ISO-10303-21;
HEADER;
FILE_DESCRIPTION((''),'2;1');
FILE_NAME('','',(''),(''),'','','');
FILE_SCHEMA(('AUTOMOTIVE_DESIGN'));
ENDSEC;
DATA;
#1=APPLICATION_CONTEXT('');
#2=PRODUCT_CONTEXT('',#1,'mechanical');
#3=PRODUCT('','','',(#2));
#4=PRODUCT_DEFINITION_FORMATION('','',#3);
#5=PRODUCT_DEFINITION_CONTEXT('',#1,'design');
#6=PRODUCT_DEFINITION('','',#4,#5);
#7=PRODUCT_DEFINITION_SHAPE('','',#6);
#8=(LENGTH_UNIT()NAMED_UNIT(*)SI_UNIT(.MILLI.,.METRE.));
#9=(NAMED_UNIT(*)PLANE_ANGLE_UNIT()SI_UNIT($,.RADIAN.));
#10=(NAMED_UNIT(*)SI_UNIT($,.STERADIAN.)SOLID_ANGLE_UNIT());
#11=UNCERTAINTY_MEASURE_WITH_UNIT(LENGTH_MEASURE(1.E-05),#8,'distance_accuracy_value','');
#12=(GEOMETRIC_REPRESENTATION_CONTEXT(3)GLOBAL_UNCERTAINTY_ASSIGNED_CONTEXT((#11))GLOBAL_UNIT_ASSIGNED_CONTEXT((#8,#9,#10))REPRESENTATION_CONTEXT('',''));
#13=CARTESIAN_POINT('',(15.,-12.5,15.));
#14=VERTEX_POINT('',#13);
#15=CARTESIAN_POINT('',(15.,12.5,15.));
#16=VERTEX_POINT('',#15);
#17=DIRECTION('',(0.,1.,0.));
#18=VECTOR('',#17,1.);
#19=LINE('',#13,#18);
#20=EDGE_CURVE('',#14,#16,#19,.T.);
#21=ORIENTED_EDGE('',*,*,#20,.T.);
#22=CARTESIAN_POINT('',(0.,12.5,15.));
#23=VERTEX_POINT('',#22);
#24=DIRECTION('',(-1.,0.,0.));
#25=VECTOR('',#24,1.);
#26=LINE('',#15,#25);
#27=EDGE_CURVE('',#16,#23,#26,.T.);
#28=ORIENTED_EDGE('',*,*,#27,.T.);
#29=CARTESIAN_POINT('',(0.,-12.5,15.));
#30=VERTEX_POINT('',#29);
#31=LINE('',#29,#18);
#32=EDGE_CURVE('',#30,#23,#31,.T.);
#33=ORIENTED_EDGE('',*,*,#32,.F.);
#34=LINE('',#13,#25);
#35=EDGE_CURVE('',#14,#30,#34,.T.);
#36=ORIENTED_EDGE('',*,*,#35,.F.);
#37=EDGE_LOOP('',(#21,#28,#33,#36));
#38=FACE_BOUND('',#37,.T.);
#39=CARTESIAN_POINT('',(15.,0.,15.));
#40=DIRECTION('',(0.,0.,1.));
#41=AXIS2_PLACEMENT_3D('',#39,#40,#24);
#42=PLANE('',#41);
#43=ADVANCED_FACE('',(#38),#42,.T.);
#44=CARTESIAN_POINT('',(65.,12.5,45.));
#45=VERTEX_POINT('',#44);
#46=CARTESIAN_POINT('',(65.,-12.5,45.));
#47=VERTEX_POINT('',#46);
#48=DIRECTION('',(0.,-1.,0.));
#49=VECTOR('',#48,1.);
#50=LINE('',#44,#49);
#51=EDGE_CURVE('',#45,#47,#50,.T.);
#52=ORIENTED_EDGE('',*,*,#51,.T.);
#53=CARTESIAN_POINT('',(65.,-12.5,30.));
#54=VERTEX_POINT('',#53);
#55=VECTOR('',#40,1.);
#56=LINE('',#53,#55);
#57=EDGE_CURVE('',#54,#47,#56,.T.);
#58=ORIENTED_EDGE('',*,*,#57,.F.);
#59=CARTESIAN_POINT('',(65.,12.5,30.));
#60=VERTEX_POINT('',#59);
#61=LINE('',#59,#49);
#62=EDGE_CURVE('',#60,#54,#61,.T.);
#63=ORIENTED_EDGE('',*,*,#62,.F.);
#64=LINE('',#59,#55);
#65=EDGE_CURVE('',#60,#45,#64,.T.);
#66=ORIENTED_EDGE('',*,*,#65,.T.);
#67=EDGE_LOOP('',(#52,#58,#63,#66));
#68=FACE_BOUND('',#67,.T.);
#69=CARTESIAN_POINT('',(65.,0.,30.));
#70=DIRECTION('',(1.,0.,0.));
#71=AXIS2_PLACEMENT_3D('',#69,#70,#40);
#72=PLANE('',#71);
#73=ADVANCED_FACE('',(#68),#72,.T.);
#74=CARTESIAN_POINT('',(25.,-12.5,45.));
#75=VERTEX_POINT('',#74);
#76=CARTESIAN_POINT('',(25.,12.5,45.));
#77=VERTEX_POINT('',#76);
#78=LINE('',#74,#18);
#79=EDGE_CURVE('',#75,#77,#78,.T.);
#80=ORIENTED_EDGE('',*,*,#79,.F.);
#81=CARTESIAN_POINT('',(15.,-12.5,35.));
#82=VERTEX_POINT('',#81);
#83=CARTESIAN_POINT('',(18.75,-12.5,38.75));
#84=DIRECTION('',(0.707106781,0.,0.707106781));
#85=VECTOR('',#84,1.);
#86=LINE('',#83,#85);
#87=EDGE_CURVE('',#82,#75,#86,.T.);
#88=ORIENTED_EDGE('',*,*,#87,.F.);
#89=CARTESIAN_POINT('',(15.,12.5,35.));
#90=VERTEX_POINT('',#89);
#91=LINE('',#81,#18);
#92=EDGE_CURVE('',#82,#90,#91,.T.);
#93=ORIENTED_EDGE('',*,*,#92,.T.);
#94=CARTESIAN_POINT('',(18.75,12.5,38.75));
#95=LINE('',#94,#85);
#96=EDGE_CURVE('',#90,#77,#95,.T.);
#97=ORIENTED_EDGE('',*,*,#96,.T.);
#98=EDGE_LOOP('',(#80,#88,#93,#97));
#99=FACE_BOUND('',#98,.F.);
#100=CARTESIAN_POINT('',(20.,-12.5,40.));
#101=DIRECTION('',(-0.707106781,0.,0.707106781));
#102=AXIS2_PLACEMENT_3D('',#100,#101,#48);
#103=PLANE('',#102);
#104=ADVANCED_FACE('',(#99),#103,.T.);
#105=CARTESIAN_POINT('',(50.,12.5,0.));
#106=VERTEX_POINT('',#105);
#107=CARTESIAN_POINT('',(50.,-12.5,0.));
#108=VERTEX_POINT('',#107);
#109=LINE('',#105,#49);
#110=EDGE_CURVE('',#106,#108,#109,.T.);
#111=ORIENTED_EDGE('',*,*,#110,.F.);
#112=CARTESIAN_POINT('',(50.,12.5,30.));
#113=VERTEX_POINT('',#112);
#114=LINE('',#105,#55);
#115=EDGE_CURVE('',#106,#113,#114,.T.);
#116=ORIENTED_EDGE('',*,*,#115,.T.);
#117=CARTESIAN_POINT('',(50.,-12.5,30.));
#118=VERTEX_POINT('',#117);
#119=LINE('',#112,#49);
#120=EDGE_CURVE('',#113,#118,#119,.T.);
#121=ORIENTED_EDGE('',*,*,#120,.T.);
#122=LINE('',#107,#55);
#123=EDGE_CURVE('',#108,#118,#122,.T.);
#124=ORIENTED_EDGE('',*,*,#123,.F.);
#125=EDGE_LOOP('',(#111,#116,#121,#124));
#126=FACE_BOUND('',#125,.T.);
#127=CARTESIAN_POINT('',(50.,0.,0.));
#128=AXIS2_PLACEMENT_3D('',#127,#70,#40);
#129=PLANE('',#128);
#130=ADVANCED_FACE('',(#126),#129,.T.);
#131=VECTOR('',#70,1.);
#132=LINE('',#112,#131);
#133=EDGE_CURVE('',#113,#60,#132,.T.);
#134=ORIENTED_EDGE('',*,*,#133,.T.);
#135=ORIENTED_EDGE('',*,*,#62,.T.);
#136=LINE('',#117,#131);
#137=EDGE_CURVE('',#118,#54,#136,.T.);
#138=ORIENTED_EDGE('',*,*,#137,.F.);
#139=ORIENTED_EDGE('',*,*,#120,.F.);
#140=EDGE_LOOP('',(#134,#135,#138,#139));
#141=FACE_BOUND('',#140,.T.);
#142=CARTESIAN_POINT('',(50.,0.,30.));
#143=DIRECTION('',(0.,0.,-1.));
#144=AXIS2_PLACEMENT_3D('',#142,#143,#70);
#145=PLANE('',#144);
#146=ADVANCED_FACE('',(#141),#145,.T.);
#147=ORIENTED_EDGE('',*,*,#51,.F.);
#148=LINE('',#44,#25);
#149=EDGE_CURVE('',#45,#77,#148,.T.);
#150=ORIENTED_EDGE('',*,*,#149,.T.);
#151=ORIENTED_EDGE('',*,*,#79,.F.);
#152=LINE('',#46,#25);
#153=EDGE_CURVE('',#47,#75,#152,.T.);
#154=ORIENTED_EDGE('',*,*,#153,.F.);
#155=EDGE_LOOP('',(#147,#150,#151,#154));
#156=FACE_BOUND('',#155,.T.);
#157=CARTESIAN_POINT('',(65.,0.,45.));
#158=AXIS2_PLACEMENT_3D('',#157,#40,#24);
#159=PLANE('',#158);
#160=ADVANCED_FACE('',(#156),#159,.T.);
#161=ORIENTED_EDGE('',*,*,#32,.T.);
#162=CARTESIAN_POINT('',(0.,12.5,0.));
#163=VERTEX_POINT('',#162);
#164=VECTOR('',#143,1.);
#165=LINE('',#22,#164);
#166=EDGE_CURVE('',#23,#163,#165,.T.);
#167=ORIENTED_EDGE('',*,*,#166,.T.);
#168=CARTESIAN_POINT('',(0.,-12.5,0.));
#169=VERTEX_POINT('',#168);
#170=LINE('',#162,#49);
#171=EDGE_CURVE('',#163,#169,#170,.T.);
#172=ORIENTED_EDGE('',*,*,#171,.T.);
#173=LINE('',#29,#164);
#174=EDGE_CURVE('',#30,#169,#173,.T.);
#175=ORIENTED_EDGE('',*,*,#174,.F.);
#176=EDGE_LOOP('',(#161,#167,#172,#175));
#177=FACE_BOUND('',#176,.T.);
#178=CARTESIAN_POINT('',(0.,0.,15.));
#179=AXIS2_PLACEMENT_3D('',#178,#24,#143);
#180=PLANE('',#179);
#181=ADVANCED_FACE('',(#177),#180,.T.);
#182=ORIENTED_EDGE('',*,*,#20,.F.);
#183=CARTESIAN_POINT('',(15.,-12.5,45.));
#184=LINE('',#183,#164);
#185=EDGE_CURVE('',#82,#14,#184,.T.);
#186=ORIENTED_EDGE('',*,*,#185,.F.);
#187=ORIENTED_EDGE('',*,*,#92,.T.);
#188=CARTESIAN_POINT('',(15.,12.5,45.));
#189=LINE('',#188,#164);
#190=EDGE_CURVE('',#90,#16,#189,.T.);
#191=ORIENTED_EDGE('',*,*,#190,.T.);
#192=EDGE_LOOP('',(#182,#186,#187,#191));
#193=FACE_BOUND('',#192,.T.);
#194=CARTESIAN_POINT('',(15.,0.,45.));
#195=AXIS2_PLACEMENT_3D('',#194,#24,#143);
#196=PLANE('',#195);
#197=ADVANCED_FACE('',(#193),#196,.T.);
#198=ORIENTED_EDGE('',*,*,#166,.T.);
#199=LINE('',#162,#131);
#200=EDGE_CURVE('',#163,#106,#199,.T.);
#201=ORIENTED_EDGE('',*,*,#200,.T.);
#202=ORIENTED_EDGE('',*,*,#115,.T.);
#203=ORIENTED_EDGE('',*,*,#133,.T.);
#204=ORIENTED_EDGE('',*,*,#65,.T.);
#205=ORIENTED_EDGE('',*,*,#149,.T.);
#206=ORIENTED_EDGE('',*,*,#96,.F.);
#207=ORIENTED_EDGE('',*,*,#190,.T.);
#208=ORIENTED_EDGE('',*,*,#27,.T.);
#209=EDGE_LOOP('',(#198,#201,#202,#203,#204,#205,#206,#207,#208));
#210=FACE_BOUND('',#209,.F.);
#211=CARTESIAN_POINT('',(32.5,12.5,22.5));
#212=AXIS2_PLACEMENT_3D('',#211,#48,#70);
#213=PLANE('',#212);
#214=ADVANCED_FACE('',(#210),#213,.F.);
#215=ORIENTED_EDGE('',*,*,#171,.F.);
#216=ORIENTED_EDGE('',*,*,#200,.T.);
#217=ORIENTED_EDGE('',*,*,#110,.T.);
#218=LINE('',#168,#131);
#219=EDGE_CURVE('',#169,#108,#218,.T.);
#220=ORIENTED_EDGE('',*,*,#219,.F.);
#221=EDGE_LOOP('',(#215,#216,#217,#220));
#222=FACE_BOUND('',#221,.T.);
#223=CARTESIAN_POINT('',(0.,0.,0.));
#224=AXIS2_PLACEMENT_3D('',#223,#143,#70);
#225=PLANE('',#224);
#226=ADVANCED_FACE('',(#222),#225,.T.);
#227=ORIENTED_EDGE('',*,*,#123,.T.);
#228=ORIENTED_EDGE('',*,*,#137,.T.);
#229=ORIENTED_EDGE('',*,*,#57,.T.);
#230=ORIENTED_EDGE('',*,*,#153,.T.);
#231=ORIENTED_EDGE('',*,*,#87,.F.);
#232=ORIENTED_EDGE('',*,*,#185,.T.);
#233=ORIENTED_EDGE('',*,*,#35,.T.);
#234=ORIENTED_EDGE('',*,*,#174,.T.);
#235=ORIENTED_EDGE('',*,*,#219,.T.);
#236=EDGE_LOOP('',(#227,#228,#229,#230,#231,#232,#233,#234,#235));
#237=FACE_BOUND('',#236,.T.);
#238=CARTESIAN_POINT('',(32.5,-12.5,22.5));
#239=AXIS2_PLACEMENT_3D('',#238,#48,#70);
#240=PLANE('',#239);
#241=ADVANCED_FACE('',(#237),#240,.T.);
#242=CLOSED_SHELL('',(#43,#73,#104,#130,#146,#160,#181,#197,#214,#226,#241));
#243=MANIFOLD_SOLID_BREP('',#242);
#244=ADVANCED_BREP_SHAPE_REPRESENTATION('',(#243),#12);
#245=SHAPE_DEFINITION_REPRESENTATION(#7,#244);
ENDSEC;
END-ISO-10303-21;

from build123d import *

# Parameters (mm, degrees)
F1_DEPTH = 12.5
F2_SIZE  = 10


with BuildPart() as f1:
    # F0 (on Front) → F1 (new body, symmetric)
    with BuildSketch(Plane.XZ):
        Polygon((0, 15), (0, 0), (50, 0), (50, 30), (65, 30), (65, 45), (15, 45), (15, 15), align=None)
    extrude(amount=F1_DEPTH, both=True)

    # F2
    f2_edges = [f1.edges().sort_by_distance(p)[0] for p in [
        (15, 0, 45),
    ]]
    chamfer(f2_edges, length=F2_SIZE)


solid = f1.part
